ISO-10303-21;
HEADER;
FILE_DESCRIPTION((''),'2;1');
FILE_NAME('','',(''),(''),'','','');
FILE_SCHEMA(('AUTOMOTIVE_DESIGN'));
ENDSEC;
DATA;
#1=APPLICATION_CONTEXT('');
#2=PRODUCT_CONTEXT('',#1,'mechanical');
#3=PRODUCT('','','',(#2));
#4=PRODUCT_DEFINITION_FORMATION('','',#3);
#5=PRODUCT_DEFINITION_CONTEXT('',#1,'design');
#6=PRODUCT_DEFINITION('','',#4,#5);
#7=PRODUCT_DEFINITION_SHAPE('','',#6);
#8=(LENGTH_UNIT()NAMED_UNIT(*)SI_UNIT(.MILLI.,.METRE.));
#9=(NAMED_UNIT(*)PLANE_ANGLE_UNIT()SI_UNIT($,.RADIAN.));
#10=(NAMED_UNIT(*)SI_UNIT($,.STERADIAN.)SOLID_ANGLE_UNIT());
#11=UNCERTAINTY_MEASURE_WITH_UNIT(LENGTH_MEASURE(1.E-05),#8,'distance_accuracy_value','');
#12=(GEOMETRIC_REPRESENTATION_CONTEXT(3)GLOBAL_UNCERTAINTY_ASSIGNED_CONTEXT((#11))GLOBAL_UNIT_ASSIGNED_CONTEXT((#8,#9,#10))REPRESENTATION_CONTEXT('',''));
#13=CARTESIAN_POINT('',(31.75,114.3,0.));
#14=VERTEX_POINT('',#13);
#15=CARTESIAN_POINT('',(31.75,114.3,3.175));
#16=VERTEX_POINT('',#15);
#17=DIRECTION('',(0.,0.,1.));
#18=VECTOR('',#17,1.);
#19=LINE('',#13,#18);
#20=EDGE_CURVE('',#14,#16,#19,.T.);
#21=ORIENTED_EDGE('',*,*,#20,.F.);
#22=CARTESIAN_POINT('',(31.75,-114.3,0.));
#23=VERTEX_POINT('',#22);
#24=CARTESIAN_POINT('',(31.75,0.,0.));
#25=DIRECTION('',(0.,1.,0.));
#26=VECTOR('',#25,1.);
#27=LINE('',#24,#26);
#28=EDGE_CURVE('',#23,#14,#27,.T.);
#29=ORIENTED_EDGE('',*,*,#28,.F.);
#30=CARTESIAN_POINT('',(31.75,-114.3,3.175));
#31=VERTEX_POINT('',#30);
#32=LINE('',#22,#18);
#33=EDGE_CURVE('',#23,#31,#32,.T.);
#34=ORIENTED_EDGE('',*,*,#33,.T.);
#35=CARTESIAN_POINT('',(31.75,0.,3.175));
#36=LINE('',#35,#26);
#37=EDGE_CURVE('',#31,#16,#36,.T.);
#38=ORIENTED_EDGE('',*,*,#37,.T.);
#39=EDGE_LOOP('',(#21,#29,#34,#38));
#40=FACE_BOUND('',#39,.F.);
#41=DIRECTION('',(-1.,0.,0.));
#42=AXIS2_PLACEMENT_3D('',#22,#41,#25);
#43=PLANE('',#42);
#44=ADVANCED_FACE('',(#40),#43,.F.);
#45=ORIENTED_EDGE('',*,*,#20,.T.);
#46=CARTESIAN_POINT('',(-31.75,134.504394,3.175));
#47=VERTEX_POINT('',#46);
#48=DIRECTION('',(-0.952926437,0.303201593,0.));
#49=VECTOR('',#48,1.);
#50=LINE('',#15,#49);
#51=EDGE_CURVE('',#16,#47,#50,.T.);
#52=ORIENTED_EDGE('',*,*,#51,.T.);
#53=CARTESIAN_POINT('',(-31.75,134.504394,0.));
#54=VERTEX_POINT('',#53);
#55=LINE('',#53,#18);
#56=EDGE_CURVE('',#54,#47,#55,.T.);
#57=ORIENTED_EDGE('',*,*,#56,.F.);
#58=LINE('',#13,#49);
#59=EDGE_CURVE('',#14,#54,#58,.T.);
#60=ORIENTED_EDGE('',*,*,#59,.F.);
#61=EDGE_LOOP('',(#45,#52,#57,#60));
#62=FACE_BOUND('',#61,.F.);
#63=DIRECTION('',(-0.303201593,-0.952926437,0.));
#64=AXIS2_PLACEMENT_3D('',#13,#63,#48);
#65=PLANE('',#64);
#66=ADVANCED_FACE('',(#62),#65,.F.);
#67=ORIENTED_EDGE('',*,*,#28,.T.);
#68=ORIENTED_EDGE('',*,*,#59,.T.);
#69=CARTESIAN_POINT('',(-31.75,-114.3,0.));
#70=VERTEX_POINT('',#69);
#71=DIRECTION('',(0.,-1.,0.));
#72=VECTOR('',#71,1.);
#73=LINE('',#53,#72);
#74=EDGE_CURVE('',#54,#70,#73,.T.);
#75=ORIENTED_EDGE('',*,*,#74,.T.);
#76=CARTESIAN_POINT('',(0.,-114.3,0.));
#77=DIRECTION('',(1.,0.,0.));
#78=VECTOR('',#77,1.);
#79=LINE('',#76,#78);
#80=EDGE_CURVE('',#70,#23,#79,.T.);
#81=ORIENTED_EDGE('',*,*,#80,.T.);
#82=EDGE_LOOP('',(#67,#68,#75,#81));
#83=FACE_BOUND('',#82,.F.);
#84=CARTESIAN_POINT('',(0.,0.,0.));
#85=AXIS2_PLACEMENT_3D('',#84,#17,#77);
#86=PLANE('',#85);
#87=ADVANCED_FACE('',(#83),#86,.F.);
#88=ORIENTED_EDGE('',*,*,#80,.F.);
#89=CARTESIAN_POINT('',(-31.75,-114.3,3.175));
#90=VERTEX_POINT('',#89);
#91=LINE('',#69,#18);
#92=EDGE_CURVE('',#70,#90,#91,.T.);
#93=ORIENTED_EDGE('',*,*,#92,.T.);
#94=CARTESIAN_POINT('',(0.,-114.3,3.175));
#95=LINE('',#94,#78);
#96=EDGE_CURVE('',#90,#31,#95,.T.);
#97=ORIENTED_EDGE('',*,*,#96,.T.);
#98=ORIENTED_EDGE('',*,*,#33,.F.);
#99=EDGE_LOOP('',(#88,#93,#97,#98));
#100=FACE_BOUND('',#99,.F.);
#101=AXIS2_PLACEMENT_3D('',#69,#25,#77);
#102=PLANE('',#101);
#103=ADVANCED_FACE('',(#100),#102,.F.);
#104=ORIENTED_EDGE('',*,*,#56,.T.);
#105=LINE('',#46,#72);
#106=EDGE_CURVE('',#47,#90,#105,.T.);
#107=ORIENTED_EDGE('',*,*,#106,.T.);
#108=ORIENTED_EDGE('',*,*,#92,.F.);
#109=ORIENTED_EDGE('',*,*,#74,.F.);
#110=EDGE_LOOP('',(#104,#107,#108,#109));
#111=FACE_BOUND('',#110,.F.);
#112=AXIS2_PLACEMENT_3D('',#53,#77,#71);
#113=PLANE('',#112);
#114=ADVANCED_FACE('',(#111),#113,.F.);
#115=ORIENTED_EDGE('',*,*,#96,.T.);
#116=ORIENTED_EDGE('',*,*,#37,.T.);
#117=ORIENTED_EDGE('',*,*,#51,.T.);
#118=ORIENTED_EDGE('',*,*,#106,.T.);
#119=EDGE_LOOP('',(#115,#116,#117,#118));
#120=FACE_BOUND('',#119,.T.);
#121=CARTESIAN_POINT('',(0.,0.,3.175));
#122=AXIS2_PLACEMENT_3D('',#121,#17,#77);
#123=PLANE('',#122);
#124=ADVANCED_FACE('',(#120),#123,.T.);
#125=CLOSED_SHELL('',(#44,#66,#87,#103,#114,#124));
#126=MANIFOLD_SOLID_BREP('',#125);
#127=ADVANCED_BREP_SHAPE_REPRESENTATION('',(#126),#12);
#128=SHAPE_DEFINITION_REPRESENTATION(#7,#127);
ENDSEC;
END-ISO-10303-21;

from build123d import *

# Parameters (mm, degrees)
F0_W     = 63.5
F0_H     = 228.6
F1_DEPTH = 3.175


with BuildPart() as f1:
    # F0 (on Top) → F1 (new body)
    with BuildSketch(Plane.XY):
        Rectangle(F0_W, F0_H)
        Polygon((-31.75, 114.3), (31.75, 114.3), (-31.75, 134.504394), align=None)
    extrude(amount=F1_DEPTH)


solid = f1.part
